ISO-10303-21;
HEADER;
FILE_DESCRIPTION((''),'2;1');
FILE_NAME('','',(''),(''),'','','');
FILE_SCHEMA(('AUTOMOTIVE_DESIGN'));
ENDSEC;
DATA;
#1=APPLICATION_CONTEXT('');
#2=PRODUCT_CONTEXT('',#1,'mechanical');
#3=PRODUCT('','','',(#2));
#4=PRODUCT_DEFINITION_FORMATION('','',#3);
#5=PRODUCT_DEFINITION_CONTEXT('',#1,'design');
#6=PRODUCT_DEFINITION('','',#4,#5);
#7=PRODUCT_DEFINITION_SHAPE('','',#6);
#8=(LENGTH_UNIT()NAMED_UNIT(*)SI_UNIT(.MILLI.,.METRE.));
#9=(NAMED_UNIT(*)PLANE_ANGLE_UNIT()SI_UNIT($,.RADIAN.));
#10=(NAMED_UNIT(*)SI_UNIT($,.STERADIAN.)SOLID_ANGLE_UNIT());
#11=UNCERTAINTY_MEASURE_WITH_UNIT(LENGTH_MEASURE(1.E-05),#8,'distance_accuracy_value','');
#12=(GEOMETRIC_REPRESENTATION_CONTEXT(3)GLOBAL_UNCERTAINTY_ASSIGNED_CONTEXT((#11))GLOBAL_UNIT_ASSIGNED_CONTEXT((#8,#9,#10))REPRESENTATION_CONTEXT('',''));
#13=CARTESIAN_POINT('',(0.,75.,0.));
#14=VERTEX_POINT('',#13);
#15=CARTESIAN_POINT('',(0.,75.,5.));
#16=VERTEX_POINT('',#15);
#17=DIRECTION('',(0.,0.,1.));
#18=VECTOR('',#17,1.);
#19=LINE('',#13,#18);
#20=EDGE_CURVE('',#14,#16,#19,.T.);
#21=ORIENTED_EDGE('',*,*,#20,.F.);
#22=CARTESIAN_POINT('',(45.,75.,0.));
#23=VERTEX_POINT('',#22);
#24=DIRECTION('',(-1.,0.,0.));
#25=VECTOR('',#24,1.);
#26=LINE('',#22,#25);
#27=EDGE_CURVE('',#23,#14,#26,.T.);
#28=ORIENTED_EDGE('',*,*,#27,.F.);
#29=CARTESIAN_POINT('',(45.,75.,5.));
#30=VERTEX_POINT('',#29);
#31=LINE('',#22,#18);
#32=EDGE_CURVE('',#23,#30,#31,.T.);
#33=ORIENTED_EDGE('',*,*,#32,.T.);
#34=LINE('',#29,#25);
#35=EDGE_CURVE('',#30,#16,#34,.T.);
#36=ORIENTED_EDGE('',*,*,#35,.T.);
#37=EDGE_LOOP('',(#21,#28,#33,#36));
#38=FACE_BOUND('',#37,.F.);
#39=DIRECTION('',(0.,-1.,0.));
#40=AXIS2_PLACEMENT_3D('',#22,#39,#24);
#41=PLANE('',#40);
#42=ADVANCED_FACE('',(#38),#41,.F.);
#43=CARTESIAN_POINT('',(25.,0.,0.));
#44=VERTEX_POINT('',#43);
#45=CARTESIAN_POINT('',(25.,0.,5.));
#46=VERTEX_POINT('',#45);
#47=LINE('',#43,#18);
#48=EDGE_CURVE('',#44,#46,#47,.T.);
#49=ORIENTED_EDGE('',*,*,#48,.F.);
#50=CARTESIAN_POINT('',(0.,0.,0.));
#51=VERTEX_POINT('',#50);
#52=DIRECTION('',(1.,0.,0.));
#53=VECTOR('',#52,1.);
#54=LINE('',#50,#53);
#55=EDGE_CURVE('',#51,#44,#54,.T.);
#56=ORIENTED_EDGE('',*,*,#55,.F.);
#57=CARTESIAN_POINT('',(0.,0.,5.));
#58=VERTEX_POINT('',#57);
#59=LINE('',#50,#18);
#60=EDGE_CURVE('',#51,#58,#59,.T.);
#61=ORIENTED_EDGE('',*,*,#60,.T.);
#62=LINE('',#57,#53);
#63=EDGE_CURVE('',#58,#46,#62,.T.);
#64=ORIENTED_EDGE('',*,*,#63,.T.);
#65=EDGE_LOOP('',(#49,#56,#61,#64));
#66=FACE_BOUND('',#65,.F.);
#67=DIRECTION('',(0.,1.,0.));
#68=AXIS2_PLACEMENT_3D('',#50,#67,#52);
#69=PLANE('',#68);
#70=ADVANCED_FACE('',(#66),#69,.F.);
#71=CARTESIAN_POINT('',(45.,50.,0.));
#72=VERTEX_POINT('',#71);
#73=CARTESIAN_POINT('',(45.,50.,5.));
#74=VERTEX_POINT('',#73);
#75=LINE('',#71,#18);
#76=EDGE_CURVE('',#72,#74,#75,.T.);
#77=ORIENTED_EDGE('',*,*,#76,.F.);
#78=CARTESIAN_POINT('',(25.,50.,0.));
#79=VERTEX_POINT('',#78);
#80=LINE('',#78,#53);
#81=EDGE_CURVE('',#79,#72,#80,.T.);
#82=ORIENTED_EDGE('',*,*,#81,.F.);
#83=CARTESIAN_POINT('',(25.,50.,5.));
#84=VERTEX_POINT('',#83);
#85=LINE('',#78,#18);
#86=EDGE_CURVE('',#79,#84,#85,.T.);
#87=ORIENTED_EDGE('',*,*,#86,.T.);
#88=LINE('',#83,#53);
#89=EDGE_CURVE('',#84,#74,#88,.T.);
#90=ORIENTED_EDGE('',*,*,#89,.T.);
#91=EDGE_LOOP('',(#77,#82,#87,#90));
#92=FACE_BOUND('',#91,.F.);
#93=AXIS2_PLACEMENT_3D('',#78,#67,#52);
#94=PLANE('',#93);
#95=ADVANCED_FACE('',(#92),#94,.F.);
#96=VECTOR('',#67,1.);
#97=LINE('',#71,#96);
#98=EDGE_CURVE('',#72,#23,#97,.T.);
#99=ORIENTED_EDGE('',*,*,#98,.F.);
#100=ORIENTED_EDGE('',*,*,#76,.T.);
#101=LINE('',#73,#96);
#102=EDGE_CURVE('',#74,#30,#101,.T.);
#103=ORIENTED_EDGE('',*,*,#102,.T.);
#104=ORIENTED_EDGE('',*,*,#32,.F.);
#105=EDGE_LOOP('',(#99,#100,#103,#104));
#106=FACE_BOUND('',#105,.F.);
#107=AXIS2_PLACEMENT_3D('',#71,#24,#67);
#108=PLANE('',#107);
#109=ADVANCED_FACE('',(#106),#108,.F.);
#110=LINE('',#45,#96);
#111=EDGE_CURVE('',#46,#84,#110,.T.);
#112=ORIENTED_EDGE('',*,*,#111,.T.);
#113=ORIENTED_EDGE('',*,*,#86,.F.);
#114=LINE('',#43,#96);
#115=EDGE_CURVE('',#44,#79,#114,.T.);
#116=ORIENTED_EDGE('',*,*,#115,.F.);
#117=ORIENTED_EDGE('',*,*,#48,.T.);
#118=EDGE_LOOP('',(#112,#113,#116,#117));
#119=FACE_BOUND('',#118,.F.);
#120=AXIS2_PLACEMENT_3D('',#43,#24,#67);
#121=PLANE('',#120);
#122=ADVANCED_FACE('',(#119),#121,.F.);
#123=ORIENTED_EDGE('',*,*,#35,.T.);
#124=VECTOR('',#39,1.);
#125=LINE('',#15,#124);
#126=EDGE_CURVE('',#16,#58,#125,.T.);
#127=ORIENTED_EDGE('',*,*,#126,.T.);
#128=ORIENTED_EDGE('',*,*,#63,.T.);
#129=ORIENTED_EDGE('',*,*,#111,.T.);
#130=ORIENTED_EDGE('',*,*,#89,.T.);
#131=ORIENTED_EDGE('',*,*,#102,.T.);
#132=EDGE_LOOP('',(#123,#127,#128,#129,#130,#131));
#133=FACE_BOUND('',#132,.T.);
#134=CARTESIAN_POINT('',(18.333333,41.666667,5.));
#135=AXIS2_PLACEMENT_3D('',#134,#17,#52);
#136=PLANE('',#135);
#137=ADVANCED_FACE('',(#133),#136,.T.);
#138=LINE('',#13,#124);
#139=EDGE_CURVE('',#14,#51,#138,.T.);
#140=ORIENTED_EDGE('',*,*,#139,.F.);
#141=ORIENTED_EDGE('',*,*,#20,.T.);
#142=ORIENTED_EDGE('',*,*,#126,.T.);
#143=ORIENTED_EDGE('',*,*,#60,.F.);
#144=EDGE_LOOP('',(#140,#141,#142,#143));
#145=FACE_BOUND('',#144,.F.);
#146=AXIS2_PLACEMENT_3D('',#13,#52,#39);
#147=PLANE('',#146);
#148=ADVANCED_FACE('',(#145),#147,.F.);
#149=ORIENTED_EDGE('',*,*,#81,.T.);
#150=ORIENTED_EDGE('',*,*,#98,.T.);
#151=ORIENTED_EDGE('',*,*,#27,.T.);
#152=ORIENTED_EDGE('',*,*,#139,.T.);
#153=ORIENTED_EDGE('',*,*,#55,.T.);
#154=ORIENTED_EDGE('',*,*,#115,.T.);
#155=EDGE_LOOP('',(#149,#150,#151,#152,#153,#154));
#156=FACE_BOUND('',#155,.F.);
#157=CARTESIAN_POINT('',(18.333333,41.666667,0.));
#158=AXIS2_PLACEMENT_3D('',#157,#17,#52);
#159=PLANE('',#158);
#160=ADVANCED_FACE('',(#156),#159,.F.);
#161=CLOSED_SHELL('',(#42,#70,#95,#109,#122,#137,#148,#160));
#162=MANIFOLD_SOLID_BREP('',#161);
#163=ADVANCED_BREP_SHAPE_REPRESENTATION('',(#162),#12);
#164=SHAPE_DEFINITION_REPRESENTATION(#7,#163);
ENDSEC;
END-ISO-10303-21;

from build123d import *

# Parameters (mm, degrees)
PAD_DEPTH = 5


with BuildPart() as part:
    # Sketch → Pad (new body)
    with BuildSketch(Plane.XY):
        Polygon((0, 0), (25, 0), (25, 50), (45, 50), (45, 75), (0, 75), align=None)
    extrude(amount=PAD_DEPTH)


solid = part.part
